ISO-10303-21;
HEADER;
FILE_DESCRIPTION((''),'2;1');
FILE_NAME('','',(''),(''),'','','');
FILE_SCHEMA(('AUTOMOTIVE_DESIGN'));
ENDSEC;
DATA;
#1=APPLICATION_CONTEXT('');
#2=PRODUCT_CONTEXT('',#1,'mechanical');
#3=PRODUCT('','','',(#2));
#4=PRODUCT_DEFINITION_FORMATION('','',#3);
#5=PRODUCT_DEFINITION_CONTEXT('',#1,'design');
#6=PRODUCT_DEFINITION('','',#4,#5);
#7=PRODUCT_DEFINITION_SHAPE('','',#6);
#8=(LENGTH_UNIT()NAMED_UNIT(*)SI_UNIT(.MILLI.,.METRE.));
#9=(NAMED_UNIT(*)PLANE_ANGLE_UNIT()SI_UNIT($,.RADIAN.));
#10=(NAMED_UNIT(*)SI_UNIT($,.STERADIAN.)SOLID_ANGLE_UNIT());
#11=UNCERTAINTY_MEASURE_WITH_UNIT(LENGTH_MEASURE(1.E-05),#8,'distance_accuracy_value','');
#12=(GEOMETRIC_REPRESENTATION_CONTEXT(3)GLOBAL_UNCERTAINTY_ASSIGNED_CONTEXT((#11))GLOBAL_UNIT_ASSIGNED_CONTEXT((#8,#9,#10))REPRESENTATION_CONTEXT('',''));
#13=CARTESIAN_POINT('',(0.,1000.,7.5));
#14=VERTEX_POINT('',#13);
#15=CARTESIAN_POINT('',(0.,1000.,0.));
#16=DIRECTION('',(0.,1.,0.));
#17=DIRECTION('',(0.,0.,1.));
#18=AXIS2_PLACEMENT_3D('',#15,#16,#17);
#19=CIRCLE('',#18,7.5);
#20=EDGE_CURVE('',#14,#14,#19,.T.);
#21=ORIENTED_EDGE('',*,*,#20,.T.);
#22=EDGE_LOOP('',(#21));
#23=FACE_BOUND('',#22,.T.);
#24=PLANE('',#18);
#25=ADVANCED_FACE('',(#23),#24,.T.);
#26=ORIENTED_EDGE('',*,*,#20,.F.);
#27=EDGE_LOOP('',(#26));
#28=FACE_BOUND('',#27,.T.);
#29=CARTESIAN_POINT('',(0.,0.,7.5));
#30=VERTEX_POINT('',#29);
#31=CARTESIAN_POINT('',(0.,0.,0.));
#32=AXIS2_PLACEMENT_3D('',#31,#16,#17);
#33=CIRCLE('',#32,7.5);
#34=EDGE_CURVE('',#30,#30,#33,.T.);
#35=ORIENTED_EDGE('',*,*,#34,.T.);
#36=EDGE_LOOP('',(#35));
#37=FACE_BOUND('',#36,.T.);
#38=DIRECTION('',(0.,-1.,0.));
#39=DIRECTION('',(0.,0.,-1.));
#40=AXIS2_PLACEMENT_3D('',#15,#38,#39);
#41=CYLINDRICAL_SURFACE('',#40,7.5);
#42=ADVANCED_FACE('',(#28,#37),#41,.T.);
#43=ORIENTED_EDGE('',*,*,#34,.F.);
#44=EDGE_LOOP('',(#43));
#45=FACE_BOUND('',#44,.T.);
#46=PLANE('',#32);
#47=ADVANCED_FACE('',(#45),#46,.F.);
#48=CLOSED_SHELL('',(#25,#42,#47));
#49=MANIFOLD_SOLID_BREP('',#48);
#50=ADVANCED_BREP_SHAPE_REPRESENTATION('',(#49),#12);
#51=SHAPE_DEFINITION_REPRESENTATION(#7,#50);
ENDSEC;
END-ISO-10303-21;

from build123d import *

# Parameters (mm, degrees)
CROQUIS1_R     = 7.5
EXTRUIR1_DEPTH = 1000


with BuildPart() as part:
    # Croquis1 → Extruir1 (new body)
    with BuildSketch(Plane(origin=(0, 0, 0), x_dir=(1, 0, 0), z_dir=(0, 1, 0))):
        with Locations(Location((0, 0, 0), (0, 0, 270))):
            Circle(CROQUIS1_R)
    extrude(amount=EXTRUIR1_DEPTH)


solid = part.part
